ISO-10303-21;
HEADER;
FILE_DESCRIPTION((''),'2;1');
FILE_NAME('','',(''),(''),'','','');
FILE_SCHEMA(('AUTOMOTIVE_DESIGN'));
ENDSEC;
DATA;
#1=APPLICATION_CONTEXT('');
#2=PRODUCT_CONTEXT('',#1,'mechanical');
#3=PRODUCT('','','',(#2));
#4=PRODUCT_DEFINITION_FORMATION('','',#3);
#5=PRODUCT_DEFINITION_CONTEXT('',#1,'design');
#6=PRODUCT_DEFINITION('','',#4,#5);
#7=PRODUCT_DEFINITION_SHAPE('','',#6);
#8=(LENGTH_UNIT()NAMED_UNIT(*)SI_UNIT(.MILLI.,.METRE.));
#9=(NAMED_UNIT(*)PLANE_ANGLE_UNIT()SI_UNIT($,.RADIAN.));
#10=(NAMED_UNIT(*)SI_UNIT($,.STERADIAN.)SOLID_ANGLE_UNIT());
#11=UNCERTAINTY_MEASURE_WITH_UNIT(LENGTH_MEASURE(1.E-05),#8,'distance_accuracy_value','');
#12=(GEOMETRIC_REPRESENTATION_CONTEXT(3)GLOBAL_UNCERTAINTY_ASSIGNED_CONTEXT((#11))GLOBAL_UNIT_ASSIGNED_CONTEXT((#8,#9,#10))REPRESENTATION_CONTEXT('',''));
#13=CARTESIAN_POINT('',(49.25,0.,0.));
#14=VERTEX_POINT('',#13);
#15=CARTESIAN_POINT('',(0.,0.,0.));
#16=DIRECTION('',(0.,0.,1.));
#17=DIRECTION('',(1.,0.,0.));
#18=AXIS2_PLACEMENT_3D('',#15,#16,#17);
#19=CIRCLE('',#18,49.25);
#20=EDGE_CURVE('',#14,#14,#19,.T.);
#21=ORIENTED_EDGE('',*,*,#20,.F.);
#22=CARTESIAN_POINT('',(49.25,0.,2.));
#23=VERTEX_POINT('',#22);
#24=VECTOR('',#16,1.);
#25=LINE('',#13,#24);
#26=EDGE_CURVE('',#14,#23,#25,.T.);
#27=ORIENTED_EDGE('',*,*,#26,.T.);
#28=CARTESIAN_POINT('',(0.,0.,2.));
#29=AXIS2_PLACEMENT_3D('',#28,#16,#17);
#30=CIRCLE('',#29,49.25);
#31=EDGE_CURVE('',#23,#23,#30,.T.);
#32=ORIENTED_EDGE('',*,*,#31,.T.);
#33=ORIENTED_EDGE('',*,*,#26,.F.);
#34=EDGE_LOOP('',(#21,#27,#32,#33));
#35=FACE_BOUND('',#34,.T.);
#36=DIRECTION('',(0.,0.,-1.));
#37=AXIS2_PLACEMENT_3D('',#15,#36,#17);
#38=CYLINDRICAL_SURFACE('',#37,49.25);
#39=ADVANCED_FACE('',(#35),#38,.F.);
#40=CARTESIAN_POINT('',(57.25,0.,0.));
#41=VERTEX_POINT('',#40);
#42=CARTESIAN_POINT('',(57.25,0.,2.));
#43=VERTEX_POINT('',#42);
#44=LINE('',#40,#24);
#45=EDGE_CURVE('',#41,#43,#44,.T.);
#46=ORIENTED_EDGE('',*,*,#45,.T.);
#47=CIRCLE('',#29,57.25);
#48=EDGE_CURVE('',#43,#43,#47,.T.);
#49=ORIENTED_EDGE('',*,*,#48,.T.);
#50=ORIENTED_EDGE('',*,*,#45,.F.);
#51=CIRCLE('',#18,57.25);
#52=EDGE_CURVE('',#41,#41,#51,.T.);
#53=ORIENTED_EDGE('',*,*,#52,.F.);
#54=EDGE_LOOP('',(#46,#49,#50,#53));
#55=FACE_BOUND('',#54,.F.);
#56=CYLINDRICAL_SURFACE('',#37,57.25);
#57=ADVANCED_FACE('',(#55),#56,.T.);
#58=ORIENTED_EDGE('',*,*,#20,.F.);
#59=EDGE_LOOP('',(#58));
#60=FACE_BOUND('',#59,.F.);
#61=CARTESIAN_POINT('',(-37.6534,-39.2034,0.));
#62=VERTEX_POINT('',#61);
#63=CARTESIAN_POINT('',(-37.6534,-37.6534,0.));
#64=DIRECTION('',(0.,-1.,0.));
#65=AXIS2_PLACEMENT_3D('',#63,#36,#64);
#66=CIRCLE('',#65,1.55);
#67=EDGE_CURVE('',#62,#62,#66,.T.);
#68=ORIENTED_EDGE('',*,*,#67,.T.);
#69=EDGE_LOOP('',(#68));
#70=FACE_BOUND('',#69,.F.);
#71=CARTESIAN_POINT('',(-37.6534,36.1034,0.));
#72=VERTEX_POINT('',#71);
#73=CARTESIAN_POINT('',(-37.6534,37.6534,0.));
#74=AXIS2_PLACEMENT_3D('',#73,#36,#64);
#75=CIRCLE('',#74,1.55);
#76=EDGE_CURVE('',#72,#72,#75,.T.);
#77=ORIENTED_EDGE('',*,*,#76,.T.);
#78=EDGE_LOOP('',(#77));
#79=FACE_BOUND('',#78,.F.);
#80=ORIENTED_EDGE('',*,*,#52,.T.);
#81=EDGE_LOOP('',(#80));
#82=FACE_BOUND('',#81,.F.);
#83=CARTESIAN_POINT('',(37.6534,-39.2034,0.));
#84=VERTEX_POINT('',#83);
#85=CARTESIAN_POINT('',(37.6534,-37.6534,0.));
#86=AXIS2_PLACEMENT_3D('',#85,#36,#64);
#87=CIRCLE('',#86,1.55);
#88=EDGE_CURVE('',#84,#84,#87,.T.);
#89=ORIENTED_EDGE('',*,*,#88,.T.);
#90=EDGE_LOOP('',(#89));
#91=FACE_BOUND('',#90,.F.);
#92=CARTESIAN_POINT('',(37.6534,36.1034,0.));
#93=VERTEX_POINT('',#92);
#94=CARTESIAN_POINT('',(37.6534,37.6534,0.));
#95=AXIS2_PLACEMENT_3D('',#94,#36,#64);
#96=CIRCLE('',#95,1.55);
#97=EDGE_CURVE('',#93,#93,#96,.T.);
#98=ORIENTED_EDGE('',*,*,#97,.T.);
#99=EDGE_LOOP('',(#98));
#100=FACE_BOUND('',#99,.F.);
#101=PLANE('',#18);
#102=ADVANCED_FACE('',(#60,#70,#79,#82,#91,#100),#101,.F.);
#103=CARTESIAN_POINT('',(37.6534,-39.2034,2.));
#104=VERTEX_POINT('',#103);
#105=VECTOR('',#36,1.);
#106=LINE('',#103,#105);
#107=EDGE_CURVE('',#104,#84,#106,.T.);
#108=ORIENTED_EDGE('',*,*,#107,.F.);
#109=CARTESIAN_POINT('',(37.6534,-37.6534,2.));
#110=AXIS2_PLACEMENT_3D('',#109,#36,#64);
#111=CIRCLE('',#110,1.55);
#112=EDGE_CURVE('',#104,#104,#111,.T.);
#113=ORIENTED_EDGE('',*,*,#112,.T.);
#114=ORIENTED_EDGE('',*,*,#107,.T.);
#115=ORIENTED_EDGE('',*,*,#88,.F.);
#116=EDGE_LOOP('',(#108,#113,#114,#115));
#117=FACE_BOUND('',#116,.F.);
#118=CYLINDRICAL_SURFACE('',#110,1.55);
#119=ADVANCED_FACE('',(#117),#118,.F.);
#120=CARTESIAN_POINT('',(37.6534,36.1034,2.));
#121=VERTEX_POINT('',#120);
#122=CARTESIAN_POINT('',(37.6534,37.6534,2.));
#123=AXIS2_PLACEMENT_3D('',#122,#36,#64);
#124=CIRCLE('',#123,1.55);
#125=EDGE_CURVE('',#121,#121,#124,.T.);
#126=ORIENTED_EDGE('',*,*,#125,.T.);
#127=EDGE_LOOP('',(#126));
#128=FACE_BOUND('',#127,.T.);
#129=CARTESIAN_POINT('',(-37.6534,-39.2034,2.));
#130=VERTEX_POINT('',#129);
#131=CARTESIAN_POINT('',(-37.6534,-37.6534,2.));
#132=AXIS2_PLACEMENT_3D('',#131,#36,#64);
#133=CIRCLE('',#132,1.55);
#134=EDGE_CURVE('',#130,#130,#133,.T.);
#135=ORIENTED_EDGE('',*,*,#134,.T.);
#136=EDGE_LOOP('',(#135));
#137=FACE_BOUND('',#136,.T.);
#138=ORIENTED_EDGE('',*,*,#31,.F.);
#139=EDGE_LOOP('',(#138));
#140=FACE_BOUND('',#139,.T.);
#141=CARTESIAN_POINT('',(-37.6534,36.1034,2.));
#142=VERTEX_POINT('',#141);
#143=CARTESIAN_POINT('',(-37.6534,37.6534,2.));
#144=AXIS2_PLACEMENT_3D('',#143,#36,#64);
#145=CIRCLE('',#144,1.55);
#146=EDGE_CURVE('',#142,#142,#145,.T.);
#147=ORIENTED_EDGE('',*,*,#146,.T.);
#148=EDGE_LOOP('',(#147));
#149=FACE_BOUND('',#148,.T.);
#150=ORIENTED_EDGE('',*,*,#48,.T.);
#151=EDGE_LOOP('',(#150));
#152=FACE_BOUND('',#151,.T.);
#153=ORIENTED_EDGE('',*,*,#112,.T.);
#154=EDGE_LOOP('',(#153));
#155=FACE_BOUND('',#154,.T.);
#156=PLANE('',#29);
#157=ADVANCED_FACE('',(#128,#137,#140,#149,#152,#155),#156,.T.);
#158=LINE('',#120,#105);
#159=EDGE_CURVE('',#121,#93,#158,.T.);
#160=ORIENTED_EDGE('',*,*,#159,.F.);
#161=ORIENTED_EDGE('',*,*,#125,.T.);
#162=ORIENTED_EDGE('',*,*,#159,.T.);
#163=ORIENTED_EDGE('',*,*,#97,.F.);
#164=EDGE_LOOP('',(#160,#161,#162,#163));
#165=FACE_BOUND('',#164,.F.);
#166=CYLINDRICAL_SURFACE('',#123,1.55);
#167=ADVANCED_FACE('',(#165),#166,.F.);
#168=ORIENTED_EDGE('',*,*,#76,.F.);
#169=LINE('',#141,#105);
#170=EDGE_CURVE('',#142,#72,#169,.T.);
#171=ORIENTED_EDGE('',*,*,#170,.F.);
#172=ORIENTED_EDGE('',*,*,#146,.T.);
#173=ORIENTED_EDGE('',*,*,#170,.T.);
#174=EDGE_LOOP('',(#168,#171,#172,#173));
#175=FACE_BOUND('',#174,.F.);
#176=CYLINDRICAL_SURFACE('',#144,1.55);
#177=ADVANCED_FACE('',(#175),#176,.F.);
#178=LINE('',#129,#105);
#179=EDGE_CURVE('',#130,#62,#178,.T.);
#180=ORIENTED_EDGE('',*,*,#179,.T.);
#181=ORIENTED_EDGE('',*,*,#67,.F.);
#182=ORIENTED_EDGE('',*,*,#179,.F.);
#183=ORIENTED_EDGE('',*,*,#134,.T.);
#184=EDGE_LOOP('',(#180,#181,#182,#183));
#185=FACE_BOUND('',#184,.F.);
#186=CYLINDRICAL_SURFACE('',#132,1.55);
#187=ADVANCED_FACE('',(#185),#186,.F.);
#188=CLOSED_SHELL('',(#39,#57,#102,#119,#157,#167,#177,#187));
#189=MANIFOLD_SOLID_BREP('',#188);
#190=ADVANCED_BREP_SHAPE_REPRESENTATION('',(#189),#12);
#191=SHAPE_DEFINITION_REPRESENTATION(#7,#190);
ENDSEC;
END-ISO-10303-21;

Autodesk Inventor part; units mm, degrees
ref_plane "YZ Plane" through (0, 0, 0) normal (1, 0, 0) x (0, 1, 0)
ref_plane "XZ Plane" through (0, 0, 0) normal (0, 1, 0) x (-1, 0, 0)
ref_plane "XY Plane" through (0, 0, 0) normal (0, 0, 1) x (1, 0, 0)
sketch "スケッチ1" plane through (0, 0, 0) normal (0, 0, 1) x (1, 0, 0)
  circle A0 centre (0, 0) radius 42.25
  circle A1 centre (0, 0) radius 53.25
  circle A2 centre (0, 0) radius 49.25
  circle A3 centre (0, 0) radius 57.25
  dimension "d0" = 84.5
  dimension "d1" = 11
  dimension "d2" = 4
  dimension "d3" = 4
extrude "押し出し1" add sketch "スケッチ1" along normal blind 2 contours A1 | A3
sketch "スケッチ2" plane through (0, 0, 2) normal (0, 0, 1) x (1, 0, 0)
  line L0 (0, 0) -> (0, 57.25)
  circle A0 centre (0, 0) radius 57.25 projected
  line L1 (0, 0) -> (40.4819, 40.4819)
  circle A1 centre (0, 0) radius 53.25
  circle A2 centre (0, 0) radius 49.25 projected
  point P0 (37.6534, 37.6534)
  point P1 (-37.6534, 37.6534)
  point P2 (-37.6534, -37.6534)
  point P3 (37.6534, -37.6534)
  dimension "d6" = 45
  dimension "d7" = 4
  dimension "d10" = 360
hole "穴1" at (37.6534, 37.6534, 2) at (-37.6534, 37.6534, 2) at (-37.6534, -37.6534, 2) at (37.6534, -37.6534, 2) direction (0, 0, -1) diameter 3.1 end through all
properties part number "base_plate4" material "アルミニウム 6061"
